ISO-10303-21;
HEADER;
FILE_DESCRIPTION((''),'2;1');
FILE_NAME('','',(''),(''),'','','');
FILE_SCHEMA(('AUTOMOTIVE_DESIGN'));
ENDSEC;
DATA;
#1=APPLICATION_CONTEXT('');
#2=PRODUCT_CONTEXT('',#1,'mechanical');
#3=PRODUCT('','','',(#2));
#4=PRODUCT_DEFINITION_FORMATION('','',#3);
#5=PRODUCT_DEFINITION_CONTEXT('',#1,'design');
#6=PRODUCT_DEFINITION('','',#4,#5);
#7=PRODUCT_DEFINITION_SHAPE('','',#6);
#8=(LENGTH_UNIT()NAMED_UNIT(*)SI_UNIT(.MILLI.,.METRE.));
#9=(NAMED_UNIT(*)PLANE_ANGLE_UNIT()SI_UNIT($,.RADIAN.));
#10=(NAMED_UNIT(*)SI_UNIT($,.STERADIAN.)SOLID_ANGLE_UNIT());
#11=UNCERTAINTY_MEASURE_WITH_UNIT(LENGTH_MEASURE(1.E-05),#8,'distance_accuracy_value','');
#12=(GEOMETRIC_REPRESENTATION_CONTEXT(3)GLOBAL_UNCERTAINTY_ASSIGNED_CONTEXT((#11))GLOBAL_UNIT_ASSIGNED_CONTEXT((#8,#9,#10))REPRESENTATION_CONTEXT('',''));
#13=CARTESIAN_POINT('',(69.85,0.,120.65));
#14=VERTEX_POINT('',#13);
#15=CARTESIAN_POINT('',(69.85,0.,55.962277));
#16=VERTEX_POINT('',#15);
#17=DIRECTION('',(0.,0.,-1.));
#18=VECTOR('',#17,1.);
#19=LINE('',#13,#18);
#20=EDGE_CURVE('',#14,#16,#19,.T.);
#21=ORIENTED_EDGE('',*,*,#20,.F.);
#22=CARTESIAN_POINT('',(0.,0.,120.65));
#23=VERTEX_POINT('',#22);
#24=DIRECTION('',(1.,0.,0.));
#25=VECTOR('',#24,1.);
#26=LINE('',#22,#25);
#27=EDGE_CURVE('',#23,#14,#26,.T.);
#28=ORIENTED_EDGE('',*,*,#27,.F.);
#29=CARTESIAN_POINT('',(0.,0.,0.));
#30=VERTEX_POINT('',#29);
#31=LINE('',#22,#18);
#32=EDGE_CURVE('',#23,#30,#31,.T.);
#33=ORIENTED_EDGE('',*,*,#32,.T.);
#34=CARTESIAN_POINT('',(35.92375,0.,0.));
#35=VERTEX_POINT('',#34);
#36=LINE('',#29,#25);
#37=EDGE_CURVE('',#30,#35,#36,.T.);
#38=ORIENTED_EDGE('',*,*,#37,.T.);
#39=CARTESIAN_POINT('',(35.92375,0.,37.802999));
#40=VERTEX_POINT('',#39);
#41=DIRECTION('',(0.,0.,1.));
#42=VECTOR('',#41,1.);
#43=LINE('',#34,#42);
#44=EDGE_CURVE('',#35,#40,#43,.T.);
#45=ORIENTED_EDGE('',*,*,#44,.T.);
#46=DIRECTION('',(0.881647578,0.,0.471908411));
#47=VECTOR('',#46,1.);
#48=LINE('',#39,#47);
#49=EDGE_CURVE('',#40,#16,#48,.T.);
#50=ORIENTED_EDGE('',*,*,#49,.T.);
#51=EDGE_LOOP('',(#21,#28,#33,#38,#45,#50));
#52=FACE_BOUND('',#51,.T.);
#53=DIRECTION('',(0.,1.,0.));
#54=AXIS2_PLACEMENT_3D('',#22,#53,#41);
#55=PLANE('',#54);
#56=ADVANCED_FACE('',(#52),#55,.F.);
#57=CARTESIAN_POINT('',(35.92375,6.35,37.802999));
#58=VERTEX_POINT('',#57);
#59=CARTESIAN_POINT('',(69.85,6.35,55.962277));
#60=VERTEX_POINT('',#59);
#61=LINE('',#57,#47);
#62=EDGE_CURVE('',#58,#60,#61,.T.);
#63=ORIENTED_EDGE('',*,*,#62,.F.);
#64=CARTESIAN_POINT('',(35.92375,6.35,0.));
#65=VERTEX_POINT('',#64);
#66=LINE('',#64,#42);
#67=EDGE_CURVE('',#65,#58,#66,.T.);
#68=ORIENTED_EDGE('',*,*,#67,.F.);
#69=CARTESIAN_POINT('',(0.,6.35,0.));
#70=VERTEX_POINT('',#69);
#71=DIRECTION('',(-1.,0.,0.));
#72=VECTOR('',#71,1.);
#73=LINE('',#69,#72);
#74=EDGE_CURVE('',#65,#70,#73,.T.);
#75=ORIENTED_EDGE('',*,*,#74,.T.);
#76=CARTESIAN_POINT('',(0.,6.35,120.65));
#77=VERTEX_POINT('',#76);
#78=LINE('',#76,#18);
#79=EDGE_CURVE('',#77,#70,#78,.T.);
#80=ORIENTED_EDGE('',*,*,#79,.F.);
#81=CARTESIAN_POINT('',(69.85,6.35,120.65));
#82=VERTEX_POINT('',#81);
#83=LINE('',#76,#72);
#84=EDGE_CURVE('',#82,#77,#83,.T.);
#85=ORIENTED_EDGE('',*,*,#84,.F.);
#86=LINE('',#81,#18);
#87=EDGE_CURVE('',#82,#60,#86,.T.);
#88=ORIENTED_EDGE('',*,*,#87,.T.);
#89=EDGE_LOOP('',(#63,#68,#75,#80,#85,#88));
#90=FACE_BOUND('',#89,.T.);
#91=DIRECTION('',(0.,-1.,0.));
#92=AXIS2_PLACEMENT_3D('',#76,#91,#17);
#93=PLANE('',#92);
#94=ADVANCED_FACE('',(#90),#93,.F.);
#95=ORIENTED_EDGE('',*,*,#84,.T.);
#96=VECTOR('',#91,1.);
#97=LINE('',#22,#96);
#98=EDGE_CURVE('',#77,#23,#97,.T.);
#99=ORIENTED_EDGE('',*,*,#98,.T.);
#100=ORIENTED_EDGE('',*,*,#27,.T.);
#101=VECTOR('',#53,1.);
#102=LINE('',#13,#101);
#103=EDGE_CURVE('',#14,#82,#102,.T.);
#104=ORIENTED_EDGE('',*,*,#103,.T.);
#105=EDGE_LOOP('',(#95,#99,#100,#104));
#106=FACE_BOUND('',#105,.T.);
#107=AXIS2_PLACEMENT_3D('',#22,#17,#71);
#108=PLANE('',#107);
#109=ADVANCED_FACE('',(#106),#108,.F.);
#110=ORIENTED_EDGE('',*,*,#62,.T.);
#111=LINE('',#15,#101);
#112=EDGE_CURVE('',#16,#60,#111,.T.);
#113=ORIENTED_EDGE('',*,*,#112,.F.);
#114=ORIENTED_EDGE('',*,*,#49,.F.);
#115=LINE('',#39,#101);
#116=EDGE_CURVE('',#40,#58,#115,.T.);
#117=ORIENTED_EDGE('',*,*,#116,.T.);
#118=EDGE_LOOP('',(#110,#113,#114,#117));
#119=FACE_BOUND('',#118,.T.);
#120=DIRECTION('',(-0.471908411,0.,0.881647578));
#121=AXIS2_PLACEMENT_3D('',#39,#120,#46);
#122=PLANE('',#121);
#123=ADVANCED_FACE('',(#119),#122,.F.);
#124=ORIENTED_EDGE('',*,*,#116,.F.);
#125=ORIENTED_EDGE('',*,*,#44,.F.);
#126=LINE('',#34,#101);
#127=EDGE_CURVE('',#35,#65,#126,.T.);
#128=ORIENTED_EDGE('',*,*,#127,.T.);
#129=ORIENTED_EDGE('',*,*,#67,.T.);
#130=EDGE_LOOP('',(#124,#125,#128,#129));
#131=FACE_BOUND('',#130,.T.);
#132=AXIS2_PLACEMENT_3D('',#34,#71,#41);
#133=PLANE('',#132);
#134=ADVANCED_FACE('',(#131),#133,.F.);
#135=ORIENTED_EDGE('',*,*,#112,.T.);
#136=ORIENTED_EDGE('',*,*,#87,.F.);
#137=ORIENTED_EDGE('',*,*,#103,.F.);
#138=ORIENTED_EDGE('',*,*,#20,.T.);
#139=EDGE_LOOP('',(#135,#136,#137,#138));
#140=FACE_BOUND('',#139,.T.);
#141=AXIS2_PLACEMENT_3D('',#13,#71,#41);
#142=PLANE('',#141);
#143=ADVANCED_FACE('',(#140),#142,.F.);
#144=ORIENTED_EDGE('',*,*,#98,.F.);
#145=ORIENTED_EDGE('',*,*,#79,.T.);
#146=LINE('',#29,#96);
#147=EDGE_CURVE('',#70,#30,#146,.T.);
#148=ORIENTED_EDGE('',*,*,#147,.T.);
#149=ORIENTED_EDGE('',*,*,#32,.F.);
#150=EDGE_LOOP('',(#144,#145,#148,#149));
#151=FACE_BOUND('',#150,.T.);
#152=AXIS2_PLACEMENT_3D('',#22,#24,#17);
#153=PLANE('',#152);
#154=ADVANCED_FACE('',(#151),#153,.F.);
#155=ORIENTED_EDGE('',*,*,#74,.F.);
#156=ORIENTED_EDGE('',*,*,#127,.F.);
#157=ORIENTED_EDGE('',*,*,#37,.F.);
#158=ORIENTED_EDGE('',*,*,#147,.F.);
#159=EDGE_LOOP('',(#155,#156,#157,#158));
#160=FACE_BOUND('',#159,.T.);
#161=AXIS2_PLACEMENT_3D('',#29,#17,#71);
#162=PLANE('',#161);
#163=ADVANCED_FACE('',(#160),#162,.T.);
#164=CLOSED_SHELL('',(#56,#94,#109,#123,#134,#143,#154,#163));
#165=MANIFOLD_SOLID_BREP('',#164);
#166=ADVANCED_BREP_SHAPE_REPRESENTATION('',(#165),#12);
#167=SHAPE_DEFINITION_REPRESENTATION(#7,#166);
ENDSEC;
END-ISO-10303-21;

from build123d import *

# Parameters (mm, degrees)
SKETCH1_W           = 69.85
SKETCH1_H           = 6.35
BOSS_EXTRUDE1_DEPTH = 120.65
CUT_EXTRUDE1_DEPTH  = 140.555607197


with BuildPart() as part:
    # Sketch1 → Boss-Extrude1 (new body)
    with BuildSketch(Plane.XY):
        with Locations((34.925, 3.175)):
            Rectangle(SKETCH1_W, SKETCH1_H)
    extrude(amount=BOSS_EXTRUDE1_DEPTH)

    # Sketch2 → Cut-Extrude1 (cut, through all)
    with BuildSketch(Plane(origin=(0, 6.35, 0), x_dir=(1, 0, 0), z_dir=(0, 1, 0))):
        Polygon((35.923749516, 0), (35.923749516, -37.802999389), (69.85, -55.962276793), (69.85, 0), align=None)
    extrude(amount=-CUT_EXTRUDE1_DEPTH, mode=Mode.SUBTRACT)


solid = part.part
